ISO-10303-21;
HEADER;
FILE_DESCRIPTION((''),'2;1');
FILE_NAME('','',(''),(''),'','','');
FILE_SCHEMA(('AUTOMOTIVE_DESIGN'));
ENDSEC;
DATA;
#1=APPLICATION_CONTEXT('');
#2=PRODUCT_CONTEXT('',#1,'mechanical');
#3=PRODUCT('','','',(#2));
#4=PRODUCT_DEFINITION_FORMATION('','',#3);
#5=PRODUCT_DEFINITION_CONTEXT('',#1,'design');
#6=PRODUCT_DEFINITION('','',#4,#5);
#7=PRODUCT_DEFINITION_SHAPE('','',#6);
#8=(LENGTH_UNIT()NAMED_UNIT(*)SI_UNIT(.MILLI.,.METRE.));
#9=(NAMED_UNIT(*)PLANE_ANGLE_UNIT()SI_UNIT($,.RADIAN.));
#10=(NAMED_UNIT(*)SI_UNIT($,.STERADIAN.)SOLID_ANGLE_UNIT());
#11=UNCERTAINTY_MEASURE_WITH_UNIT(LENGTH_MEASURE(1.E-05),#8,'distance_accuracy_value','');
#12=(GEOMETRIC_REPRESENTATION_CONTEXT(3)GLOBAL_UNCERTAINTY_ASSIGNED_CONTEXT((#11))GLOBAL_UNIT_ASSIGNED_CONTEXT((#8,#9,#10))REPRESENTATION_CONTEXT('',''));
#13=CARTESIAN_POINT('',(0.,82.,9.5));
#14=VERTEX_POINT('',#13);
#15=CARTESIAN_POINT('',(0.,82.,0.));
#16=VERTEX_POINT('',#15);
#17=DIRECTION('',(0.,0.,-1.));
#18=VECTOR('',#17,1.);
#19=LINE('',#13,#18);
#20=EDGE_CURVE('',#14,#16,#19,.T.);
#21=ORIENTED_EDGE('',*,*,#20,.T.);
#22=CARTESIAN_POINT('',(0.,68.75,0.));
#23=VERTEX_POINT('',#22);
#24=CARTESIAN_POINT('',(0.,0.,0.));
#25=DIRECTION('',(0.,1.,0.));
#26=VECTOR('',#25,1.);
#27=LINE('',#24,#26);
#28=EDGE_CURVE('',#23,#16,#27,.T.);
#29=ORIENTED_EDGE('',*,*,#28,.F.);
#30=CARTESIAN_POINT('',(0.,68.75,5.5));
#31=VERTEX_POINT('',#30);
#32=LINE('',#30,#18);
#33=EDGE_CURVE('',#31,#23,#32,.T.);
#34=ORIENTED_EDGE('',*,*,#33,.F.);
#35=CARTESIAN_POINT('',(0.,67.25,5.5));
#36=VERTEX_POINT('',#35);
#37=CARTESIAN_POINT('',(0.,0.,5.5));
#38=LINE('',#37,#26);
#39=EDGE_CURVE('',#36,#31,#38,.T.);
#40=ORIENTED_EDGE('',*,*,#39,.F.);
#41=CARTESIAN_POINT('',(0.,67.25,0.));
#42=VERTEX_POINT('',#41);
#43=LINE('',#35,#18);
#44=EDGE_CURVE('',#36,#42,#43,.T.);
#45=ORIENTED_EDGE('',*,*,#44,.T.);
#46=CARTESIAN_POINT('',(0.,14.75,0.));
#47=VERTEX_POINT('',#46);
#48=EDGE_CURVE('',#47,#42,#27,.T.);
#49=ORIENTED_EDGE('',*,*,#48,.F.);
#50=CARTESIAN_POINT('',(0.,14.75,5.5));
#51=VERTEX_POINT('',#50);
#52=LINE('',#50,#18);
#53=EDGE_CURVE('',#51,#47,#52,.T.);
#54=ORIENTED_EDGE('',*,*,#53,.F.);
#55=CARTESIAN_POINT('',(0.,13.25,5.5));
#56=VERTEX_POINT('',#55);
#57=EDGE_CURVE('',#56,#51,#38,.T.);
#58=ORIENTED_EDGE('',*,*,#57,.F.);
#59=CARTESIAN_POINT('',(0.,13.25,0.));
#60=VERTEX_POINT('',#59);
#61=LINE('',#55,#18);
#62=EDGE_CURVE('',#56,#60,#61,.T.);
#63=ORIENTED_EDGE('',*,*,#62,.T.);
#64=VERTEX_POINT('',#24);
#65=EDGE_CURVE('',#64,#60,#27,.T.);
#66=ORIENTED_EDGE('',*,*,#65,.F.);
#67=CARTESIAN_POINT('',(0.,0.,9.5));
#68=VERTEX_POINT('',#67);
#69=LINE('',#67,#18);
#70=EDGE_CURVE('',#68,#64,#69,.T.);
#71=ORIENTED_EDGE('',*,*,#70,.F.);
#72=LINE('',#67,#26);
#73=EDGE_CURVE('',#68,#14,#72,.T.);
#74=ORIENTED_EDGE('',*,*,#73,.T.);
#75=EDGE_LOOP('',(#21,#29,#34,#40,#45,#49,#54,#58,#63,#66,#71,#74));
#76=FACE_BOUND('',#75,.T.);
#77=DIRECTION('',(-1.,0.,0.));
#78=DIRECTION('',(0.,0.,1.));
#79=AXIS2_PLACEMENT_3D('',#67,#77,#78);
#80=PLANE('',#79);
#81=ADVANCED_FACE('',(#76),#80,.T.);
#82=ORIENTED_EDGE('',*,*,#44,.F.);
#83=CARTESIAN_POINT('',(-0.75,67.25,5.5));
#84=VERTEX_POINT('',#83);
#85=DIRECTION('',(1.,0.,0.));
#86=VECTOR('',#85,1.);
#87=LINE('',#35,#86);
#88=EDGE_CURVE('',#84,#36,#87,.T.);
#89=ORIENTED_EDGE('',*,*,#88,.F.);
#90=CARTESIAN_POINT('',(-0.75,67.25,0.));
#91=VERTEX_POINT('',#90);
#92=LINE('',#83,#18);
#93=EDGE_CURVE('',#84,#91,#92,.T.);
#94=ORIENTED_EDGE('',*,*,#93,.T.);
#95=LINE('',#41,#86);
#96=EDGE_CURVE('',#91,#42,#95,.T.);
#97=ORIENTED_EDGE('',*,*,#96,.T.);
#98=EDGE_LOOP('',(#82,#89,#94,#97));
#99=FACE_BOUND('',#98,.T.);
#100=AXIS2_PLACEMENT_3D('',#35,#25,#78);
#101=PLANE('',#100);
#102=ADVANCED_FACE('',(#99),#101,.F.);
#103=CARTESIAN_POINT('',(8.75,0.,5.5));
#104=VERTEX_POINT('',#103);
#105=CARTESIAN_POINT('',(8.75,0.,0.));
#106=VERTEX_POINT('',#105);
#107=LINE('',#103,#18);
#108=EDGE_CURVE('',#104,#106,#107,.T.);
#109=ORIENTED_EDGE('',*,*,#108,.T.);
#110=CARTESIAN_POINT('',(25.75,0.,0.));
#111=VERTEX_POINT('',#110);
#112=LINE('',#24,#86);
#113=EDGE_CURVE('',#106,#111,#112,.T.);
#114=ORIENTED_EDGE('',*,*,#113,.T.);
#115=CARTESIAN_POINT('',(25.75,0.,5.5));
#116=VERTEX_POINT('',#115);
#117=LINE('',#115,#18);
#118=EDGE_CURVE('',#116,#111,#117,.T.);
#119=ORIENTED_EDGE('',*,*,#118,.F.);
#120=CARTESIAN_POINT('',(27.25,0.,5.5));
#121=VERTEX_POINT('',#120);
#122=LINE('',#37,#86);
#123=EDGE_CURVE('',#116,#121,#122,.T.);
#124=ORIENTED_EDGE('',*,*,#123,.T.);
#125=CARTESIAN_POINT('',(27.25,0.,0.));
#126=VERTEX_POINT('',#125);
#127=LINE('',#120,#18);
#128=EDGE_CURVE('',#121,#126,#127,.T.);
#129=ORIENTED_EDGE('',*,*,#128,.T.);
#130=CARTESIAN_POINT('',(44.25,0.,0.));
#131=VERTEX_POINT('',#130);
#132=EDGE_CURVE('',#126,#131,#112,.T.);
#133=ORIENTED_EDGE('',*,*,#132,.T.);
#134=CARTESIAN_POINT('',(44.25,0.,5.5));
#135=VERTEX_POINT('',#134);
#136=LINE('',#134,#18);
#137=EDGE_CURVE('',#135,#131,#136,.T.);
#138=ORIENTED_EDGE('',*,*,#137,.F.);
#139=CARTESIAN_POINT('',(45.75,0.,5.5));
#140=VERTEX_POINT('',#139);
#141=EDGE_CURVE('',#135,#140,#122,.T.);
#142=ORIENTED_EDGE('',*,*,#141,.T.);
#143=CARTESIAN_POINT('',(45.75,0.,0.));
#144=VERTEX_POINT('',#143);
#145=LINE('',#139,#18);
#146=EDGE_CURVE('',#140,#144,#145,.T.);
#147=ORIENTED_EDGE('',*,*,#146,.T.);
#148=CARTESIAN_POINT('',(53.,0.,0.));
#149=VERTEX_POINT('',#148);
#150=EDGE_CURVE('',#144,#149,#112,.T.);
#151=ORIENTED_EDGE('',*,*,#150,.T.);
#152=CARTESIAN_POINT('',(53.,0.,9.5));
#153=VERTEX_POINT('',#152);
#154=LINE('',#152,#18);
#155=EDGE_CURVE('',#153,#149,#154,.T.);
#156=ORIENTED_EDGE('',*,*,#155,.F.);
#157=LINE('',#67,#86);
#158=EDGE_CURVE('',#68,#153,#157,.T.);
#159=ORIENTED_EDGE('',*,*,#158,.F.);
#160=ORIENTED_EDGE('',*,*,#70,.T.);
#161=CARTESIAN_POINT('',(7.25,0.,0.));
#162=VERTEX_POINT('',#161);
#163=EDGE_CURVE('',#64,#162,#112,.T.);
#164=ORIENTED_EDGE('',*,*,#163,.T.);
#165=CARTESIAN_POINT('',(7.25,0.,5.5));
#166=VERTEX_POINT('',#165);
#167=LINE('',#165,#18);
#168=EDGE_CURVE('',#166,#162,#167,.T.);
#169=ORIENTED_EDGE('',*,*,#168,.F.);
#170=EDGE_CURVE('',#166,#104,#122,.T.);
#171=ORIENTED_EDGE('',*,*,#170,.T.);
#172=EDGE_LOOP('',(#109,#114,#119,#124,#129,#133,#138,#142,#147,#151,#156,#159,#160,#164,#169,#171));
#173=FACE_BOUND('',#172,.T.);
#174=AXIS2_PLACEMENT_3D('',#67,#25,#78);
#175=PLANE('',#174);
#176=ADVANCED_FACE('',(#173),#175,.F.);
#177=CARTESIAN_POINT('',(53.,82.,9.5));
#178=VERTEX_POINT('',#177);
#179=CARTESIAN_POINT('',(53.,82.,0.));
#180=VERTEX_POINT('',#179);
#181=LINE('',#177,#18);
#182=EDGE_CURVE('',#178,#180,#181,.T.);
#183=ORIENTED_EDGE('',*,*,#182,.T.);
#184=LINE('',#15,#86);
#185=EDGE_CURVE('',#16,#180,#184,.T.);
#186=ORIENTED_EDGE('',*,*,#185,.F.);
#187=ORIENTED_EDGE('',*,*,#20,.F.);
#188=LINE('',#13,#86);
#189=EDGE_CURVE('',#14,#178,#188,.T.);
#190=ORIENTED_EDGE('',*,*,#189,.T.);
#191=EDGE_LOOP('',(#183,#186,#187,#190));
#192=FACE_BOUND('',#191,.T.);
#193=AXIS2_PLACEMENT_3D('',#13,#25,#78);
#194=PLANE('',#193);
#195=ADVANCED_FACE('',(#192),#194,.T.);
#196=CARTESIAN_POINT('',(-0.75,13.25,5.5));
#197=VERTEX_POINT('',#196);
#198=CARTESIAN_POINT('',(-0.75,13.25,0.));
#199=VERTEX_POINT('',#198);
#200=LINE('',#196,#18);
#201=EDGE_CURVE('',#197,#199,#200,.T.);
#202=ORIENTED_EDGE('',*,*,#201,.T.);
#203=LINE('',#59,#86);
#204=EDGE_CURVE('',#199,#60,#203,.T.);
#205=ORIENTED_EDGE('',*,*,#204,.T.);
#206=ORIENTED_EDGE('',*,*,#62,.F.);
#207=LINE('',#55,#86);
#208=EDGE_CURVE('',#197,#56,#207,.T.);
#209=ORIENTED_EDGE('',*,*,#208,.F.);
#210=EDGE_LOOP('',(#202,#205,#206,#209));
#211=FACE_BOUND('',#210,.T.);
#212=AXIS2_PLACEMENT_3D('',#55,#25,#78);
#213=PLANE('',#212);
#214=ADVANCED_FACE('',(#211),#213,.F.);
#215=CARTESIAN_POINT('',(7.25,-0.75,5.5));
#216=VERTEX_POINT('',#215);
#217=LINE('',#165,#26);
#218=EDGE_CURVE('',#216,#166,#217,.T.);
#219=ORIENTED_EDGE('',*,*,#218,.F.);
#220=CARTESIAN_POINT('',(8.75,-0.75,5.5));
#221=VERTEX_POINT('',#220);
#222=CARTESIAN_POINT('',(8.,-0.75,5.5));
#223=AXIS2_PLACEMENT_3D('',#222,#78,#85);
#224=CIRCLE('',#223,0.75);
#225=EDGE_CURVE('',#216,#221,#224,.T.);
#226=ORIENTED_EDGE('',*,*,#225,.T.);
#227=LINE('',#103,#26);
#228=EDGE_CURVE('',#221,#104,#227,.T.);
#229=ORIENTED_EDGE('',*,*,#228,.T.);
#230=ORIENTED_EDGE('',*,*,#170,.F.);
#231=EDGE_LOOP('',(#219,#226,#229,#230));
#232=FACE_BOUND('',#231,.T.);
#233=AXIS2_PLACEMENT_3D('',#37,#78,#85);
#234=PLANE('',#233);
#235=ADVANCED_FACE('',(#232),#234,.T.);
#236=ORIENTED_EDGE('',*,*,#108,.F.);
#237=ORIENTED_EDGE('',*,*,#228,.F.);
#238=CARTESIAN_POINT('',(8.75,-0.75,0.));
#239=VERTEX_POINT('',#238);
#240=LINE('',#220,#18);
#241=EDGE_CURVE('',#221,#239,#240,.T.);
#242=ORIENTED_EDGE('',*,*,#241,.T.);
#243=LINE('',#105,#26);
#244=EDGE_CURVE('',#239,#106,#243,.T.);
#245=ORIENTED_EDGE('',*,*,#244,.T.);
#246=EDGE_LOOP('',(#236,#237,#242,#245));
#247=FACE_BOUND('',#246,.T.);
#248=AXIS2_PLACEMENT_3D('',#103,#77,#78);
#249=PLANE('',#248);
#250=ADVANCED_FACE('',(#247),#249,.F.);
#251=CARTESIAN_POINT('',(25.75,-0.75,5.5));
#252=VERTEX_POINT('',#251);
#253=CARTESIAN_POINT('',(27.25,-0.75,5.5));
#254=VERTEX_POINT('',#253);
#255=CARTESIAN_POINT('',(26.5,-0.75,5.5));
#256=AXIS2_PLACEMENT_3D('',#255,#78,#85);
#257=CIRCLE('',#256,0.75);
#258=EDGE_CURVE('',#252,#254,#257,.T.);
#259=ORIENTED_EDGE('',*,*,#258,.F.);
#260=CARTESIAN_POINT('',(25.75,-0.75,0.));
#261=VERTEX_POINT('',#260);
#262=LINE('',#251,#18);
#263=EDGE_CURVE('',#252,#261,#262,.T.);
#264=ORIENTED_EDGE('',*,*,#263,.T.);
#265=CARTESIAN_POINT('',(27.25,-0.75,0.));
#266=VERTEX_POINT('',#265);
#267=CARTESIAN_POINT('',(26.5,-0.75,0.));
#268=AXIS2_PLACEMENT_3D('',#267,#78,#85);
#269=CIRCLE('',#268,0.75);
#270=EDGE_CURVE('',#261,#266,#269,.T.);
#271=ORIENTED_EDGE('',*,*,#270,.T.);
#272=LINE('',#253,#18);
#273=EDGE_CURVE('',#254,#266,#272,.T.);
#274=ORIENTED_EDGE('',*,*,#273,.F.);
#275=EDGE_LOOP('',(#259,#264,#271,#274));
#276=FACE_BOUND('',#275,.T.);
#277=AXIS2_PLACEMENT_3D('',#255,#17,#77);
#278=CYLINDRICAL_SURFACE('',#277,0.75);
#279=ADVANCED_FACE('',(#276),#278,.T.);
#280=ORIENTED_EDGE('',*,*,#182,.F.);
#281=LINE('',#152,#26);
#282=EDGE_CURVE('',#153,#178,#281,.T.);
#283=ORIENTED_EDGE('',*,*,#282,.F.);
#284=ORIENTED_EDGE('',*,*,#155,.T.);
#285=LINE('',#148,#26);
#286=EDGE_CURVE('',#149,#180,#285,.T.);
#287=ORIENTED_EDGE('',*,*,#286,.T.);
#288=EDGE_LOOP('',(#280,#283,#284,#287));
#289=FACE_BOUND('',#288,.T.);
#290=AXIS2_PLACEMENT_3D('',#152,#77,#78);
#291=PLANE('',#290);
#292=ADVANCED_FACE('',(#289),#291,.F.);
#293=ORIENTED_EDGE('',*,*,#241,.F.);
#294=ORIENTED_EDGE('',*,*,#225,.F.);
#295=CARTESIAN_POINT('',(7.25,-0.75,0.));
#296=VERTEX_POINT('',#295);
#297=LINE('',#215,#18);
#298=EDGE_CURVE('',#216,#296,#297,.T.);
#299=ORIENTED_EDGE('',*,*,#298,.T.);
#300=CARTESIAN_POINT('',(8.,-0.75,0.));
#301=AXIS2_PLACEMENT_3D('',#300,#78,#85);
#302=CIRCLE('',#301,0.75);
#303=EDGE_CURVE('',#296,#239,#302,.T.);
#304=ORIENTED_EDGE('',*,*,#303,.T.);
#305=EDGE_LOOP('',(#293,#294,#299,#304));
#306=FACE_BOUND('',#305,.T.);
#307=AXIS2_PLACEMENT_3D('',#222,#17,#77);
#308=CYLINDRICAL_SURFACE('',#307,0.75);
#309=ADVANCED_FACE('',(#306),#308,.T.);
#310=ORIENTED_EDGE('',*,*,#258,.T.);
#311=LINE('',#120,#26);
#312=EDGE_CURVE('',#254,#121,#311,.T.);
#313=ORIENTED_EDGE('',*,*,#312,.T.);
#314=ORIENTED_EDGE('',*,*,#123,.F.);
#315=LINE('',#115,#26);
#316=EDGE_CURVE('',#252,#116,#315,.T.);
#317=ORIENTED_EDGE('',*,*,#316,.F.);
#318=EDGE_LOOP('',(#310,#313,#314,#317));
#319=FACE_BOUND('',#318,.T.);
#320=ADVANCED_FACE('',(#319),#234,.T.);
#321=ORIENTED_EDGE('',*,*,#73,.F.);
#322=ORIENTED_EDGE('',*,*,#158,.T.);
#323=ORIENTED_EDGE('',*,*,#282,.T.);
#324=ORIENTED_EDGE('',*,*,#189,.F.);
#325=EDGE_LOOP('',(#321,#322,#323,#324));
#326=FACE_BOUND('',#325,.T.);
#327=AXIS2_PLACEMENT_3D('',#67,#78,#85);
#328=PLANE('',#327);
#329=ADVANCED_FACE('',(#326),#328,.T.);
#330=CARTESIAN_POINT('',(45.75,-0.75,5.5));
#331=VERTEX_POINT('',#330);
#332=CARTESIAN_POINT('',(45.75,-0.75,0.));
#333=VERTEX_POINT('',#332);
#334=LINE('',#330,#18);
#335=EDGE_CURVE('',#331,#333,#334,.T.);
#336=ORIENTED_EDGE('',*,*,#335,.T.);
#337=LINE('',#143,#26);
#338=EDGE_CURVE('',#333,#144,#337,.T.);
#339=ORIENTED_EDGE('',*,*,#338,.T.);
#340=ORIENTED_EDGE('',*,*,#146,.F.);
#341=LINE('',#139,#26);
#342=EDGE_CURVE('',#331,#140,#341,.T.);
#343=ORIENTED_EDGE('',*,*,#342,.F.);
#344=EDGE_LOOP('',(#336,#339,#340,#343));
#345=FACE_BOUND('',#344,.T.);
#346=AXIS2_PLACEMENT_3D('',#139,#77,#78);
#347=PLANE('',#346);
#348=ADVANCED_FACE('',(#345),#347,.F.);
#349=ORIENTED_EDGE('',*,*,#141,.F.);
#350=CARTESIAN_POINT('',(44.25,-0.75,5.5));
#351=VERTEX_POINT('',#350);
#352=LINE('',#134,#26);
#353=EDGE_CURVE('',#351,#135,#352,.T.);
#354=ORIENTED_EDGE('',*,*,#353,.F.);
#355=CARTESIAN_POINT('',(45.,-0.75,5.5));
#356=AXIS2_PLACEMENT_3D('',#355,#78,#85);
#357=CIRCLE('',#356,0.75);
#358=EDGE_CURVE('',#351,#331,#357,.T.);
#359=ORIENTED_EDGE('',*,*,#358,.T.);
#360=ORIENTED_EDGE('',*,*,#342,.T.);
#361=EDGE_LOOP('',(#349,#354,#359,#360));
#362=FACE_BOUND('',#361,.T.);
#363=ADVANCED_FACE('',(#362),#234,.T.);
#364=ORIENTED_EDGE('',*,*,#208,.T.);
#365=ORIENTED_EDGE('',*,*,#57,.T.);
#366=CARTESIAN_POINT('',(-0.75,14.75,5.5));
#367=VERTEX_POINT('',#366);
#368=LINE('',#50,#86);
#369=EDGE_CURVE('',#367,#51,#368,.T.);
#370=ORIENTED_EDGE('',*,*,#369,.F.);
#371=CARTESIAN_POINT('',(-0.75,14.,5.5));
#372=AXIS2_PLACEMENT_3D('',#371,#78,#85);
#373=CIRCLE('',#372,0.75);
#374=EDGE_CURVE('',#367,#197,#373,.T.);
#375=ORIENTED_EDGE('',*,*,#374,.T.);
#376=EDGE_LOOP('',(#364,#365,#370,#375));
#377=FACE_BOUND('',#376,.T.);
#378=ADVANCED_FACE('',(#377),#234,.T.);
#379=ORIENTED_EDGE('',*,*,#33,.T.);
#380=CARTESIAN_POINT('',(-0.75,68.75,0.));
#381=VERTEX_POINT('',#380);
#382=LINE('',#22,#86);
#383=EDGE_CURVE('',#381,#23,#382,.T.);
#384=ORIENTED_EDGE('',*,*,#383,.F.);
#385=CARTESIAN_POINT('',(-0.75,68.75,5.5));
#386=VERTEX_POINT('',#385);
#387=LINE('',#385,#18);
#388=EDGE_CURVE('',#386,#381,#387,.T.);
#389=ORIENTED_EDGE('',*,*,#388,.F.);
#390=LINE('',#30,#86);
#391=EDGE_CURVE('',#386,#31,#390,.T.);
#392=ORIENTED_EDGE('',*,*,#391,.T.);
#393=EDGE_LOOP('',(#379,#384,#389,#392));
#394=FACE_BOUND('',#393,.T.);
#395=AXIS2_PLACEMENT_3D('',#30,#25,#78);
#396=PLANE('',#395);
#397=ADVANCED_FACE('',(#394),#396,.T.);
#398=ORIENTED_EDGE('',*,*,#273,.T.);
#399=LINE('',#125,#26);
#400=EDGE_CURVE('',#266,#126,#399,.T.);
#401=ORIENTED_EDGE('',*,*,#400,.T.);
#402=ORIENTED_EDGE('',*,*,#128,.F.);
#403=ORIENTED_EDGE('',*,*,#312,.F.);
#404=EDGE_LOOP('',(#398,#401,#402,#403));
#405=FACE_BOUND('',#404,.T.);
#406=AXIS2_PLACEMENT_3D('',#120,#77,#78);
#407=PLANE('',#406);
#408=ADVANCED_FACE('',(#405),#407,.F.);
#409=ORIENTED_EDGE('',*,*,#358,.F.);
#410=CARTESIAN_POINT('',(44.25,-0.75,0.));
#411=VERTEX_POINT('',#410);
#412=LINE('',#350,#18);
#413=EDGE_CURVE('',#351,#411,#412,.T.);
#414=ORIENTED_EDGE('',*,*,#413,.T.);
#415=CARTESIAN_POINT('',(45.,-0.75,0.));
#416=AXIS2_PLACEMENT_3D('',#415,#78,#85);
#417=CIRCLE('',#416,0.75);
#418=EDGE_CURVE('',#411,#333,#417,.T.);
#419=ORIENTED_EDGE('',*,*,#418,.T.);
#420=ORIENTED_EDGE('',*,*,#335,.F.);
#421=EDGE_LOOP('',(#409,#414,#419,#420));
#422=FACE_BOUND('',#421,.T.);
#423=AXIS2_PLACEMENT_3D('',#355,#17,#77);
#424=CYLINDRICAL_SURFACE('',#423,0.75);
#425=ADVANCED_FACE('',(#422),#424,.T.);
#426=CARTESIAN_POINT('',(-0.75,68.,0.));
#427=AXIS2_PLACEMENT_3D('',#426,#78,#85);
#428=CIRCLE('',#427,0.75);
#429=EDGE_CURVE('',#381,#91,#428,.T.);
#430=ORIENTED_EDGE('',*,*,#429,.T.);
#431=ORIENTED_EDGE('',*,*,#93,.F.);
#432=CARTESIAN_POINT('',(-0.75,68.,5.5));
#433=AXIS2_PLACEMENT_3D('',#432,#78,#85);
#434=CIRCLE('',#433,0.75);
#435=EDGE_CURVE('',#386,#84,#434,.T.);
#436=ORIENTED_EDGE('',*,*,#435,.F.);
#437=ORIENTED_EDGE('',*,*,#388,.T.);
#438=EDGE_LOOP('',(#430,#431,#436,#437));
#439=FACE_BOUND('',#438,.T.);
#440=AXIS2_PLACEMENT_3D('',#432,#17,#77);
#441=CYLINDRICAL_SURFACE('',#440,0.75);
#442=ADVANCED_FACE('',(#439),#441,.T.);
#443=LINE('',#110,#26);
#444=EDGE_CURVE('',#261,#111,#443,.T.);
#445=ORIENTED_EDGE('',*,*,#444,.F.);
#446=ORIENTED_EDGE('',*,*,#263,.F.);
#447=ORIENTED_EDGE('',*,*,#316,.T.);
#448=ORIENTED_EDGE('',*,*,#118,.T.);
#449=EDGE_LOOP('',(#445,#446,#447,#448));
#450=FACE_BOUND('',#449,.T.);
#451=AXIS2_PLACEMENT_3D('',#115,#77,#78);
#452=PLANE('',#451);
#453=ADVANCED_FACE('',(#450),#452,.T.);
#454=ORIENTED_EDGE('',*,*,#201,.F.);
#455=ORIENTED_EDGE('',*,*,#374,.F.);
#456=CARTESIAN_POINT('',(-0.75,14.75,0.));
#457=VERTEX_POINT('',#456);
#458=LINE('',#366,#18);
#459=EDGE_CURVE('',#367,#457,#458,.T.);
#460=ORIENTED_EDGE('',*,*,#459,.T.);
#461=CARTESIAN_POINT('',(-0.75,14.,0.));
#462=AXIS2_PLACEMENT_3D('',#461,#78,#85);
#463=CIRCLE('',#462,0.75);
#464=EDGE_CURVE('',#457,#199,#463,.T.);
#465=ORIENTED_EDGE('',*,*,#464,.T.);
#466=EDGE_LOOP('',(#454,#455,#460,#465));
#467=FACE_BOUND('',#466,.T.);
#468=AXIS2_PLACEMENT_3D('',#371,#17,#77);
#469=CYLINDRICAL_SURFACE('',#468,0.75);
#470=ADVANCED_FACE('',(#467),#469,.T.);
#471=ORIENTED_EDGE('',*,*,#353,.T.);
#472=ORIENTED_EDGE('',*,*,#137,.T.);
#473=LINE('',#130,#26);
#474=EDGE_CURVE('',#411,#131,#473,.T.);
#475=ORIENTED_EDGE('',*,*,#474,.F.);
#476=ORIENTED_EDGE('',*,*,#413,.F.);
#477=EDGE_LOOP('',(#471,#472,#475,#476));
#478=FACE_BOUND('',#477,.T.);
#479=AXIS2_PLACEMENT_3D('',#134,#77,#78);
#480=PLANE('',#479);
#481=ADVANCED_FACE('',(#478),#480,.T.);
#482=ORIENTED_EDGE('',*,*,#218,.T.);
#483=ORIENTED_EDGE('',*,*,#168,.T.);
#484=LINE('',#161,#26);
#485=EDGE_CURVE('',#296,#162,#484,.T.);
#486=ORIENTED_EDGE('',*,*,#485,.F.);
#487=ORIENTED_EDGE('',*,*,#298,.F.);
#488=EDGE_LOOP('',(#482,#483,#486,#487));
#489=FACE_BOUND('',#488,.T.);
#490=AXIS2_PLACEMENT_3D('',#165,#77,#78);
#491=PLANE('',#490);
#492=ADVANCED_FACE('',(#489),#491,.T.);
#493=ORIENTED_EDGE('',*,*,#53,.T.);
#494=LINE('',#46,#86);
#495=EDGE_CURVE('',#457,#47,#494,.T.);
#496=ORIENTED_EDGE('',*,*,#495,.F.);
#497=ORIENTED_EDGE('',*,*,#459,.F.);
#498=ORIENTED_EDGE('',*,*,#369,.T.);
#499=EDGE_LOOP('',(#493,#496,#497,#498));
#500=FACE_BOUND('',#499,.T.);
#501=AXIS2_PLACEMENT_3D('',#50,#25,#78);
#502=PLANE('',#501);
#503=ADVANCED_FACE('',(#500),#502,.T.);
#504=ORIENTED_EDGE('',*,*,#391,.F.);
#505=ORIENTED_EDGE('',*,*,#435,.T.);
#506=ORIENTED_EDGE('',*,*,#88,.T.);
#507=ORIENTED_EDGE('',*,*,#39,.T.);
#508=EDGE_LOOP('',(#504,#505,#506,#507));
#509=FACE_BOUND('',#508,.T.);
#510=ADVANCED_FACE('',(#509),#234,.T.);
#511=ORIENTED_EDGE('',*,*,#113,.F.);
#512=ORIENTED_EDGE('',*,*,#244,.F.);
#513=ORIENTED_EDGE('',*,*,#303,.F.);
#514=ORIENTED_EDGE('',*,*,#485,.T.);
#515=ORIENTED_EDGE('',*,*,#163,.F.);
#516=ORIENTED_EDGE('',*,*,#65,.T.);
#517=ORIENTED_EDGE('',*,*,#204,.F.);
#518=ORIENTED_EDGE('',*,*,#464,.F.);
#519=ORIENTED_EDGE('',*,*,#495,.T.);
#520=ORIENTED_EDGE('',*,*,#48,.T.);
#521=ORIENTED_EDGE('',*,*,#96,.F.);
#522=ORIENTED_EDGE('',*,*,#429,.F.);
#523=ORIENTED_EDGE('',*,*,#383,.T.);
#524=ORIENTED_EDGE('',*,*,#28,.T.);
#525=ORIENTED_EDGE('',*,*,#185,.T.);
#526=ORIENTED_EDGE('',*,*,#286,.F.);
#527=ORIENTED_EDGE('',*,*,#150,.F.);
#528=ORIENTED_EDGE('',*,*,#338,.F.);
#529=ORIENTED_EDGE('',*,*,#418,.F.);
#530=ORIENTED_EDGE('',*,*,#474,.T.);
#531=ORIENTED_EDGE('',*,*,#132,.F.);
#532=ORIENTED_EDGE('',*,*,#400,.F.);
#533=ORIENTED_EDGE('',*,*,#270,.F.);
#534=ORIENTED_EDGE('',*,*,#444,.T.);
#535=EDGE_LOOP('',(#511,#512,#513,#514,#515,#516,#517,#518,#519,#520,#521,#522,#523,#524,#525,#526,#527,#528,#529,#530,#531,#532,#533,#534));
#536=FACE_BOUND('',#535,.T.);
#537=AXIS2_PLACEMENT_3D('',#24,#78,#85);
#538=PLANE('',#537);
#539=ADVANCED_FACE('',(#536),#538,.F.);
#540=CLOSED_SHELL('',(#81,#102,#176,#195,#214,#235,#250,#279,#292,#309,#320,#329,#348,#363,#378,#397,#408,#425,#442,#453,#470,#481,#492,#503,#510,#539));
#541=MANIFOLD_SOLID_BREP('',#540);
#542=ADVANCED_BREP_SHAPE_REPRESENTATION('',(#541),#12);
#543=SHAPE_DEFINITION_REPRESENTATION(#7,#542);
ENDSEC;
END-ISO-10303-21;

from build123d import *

# Parameters (mm, degrees)
EXTRUDE_1_DEPTH = 9.5
EXTRUDE_2_DEPTH = 5.5


with BuildPart() as part:
    # ｽｹｯﾁ1 → ﾎﾞｽ - 押し出し1 (new body)
    with BuildSketch(Plane.XY):
        Polygon((0, 82), (0, 68.75), (0, 67.25), (0, 14.75), (0, 13.25), (0, 0), (7.25, 0), (8.75, 0), (25.75, 0), (27.25, 0), (44.25, 0), (45.75, 0), (53, 0), (53, 82), align=None)
    extrude(amount=EXTRUDE_1_DEPTH)

    # ｽｹｯﾁ1<3> → ﾎﾞｽ - 押し出し2 (add)
    with BuildSketch(Plane.XY):
        with BuildLine():
            Line((0, 68.75), (-0.75, 68.75))
            ThreePointArc((-0.75, 68.75), (-1.5, 68), (-0.75, 67.25))
            Line((-0.75, 67.25), (0, 67.25))
            Line((0, 67.25), (0, 68.75))
        make_face()
        with BuildLine():
            Line((0, 13.25), (0, 14.75))
            Line((0, 14.75), (-0.75, 14.75))
            ThreePointArc((-0.75, 14.75), (-1.5, 14), (-0.75, 13.25))
            Line((-0.75, 13.25), (0, 13.25))
        make_face()
        with BuildLine():
            Line((45.75, -0.75), (45.75, 0))
            Line((45.75, 0), (44.25, 0))
            Line((44.25, 0), (44.25, -0.75))
            ThreePointArc((44.25, -0.75), (45, -1.5), (45.75, -0.75))
        make_face()
        with BuildLine():
            Line((8.75, 0), (7.25, 0))
            Line((7.25, 0), (7.25, -0.75))
            ThreePointArc((7.25, -0.75), (8, -1.5), (8.75, -0.75))
            Line((8.75, -0.75), (8.75, 0))
        make_face()
        with BuildLine():
            Line((27.25, -0.75), (27.25, 0))
            Line((27.25, 0), (25.75, 0))
            Line((25.75, 0), (25.75, -0.75))
            ThreePointArc((25.75, -0.75), (26.5, -1.5), (27.25, -0.75))
        make_face()
    extrude(amount=EXTRUDE_2_DEPTH)


solid = part.part
